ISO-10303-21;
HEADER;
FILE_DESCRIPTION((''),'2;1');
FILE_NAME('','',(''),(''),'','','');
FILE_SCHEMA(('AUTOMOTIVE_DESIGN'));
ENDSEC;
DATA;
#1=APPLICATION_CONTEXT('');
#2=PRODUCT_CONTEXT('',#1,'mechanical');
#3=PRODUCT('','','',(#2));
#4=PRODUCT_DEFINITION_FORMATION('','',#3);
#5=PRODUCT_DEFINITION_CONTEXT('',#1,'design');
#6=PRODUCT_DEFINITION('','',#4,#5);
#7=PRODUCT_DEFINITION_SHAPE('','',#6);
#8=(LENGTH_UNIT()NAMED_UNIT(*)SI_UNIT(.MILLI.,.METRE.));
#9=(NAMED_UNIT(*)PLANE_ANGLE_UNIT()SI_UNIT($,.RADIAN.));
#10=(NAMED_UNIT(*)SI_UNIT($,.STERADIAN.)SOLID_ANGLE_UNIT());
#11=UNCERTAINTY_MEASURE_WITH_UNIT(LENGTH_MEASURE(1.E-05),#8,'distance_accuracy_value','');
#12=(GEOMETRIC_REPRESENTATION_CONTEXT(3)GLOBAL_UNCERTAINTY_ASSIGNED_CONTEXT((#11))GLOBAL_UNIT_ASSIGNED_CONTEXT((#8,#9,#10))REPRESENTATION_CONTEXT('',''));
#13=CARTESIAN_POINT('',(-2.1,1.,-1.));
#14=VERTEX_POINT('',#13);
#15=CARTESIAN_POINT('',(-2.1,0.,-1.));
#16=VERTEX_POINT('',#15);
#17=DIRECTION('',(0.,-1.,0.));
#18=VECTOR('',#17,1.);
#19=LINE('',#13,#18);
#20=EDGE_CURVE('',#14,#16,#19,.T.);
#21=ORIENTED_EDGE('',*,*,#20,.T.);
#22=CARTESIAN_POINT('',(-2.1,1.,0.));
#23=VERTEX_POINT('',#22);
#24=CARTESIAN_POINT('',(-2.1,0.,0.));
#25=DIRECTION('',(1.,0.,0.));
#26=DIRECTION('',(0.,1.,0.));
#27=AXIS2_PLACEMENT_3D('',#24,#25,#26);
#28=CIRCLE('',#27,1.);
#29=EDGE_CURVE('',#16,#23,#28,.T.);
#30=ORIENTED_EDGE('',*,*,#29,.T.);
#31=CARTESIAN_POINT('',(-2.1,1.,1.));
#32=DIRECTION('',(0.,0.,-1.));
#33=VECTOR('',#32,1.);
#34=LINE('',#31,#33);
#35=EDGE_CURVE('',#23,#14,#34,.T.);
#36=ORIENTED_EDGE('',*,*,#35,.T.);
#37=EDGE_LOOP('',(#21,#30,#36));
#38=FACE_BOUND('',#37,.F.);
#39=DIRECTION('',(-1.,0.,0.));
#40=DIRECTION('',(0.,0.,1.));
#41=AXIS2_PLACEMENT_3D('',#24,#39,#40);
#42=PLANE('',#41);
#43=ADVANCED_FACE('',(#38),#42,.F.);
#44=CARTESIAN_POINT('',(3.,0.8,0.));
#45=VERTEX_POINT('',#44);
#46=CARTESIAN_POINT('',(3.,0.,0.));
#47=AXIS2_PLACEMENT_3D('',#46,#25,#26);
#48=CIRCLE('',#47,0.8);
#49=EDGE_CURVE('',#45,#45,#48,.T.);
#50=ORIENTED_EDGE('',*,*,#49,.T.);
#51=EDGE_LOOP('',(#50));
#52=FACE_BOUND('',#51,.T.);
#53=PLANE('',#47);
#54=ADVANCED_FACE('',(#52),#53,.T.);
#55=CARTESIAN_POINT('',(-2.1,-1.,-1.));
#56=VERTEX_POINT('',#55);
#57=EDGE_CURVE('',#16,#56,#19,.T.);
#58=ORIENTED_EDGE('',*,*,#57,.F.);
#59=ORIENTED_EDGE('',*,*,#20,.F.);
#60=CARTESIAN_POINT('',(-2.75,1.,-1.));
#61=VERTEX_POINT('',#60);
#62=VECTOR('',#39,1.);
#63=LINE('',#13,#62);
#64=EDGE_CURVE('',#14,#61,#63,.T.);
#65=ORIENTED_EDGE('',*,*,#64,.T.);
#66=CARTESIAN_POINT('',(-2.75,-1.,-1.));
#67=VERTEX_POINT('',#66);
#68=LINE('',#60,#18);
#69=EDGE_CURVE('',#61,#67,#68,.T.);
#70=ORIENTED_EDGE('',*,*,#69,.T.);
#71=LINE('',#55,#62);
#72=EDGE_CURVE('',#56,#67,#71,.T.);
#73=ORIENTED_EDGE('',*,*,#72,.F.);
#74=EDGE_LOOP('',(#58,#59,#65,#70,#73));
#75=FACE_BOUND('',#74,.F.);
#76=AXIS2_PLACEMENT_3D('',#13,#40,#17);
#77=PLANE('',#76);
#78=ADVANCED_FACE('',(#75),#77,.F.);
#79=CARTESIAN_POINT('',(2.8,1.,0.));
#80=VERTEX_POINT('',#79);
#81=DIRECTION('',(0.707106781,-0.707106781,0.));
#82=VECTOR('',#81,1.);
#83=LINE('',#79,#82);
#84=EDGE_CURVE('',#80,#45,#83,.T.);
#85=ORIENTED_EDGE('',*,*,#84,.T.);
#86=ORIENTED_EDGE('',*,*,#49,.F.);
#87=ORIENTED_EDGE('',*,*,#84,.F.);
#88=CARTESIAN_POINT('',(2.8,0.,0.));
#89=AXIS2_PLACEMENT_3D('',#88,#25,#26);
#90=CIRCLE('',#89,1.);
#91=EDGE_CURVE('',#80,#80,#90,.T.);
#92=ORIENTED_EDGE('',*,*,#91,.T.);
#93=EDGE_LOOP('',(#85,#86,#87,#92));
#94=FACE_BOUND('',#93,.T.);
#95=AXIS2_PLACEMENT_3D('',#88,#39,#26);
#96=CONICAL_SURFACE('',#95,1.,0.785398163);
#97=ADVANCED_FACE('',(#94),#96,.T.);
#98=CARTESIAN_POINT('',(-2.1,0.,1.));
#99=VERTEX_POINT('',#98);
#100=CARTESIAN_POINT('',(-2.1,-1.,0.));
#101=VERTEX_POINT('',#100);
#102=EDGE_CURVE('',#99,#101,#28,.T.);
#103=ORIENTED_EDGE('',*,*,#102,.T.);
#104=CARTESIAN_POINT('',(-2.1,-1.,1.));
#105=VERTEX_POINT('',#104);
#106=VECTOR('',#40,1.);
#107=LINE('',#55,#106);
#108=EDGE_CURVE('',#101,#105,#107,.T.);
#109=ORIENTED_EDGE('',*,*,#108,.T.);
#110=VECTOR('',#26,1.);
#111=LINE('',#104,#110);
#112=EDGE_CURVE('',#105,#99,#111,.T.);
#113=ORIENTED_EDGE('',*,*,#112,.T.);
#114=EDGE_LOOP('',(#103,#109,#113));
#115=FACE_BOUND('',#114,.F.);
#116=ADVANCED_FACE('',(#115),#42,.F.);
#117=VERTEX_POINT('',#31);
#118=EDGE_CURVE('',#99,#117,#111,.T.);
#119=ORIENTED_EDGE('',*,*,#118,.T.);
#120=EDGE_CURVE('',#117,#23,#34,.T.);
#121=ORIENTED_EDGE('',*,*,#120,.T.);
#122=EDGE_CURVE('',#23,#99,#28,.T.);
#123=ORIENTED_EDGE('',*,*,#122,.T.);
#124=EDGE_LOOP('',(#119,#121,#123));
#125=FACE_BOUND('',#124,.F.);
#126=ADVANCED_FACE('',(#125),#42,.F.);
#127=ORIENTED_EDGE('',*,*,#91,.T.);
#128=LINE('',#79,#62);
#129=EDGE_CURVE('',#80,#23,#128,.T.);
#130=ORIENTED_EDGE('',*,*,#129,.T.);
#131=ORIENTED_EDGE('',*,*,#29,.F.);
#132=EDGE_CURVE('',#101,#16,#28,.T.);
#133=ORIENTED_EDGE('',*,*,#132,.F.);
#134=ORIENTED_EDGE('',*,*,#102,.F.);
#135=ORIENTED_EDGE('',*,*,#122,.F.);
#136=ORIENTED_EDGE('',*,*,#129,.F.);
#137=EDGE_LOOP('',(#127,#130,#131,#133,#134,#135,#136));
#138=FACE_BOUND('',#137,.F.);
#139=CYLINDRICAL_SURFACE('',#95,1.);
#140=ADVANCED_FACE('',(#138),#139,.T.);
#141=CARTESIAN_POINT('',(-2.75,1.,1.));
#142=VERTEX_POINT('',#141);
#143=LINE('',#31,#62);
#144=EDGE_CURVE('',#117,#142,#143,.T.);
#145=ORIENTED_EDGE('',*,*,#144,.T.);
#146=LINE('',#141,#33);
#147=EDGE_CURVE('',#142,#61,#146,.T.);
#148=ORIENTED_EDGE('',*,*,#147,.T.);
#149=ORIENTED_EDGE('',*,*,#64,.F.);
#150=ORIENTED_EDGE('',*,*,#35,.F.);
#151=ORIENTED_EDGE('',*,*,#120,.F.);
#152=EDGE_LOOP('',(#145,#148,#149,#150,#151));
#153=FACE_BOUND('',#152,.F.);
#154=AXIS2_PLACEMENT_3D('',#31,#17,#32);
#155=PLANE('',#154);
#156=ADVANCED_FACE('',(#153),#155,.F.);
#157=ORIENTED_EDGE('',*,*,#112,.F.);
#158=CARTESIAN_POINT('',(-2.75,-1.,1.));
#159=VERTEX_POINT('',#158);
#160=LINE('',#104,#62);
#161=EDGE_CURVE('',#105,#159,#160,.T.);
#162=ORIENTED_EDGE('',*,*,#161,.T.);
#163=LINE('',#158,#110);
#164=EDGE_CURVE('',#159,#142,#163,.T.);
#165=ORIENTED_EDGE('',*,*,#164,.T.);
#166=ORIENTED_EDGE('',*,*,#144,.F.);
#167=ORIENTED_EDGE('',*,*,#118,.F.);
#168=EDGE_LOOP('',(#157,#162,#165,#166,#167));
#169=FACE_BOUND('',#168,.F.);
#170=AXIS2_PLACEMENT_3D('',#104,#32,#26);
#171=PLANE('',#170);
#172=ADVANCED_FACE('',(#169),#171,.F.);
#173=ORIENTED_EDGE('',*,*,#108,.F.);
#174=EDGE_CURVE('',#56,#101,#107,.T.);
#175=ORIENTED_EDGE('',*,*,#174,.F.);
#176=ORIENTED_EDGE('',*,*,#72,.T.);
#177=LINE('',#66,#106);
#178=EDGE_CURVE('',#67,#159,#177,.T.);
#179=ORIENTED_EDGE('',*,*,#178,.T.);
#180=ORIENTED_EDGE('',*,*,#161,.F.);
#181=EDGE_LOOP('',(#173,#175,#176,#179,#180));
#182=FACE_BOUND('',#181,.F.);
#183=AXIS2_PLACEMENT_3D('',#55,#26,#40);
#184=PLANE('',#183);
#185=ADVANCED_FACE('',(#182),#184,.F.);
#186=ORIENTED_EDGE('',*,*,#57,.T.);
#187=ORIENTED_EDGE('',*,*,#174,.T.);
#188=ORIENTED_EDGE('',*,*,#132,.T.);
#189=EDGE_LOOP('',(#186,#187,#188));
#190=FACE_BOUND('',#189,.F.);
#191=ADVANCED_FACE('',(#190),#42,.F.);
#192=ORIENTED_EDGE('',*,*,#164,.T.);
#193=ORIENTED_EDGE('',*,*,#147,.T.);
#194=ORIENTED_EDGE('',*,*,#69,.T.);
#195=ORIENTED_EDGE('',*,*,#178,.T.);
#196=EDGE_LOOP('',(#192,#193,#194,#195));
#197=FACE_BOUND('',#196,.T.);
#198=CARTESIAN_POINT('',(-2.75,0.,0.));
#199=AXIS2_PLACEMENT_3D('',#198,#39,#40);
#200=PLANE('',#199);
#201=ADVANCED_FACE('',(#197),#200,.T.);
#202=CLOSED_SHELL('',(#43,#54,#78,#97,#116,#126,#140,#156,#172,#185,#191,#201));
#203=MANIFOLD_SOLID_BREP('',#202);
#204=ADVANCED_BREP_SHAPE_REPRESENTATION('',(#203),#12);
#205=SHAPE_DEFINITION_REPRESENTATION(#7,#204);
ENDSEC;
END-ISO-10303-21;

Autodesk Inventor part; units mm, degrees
ref_plane "XZ Plane" through (0, 0, 0) normal (0, 1, 0) x (-1, 0, 0)
ref_plane "XY Plane" through (0, 0, 0) normal (0, 0, 1) x (1, 0, 0)
sketch "Skizze1" plane through (0, 0, 0) normal (0, 0, 1) x (1, 0, 0)
  line L0 (-2.1, 0) -> (2.8, 0)
  line L1 (2.8, 0) -> (2.8, 1)
  line L2 (2.8, 1) -> (-2.1, 1)
  line L3 (-2.1, 1) -> (-2.1, 0)
  line L4 (0, 1.2) -> (0, -0.2) construction
  line L5 (2.8, 1) -> (3, 0.8)
  line L6 (3, 0.8) -> (3, 0)
  line L7 (3, 0) -> (2.8, 0)
  point P0 (0, 0)
  dimension "d0" = 2
  dimension "d5" = 2.8
  dimension "d8" = 2.1
  dimension "d13" = 45
  dimension "d14" = 0.2
revolve "Umdrehung1" add sketch "Skizze1" angle 360 about axis through (-2.1, 0, 0) along (1, 0, 0)
sketch "Skizze2" plane through (-2.1, 0, 0) normal (-1, 0, 0) x (0, 0, 1)
  line L0 (-1, -1) -> (1, -1)
  line L1 (1, -1) -> (1, 1)
  line L2 (1, 1) -> (-1, 1)
  line L3 (-1, 1) -> (-1, -1)
  line L4 (-1, -1) -> (1, 1) construction
  line L5 (1, -1) -> (-1, 1) construction
  point P0 (0, 0)
  dimension "d9" = 2
  dimension "d10" = 2
extrude "Extrusion1" add sketch "Skizze2" along normal blind 0.65
sketch "Skizze3" plane through (-2.75, 0, 0) normal (-1, 0, 0) x (0, 0, 1)
  circle A0 centre (0, 0) radius 1.3
  circle A1 centre (0, 0) radius 1.5
  dimension "d15" = 2.6
  dimension "d16" = 3
extrude "Extrusion2" [suppressed]
equation "\"d10\" = d9"
properties part number "Welle Querrolle Quad" material "Stahl, Kohlenstoff"
